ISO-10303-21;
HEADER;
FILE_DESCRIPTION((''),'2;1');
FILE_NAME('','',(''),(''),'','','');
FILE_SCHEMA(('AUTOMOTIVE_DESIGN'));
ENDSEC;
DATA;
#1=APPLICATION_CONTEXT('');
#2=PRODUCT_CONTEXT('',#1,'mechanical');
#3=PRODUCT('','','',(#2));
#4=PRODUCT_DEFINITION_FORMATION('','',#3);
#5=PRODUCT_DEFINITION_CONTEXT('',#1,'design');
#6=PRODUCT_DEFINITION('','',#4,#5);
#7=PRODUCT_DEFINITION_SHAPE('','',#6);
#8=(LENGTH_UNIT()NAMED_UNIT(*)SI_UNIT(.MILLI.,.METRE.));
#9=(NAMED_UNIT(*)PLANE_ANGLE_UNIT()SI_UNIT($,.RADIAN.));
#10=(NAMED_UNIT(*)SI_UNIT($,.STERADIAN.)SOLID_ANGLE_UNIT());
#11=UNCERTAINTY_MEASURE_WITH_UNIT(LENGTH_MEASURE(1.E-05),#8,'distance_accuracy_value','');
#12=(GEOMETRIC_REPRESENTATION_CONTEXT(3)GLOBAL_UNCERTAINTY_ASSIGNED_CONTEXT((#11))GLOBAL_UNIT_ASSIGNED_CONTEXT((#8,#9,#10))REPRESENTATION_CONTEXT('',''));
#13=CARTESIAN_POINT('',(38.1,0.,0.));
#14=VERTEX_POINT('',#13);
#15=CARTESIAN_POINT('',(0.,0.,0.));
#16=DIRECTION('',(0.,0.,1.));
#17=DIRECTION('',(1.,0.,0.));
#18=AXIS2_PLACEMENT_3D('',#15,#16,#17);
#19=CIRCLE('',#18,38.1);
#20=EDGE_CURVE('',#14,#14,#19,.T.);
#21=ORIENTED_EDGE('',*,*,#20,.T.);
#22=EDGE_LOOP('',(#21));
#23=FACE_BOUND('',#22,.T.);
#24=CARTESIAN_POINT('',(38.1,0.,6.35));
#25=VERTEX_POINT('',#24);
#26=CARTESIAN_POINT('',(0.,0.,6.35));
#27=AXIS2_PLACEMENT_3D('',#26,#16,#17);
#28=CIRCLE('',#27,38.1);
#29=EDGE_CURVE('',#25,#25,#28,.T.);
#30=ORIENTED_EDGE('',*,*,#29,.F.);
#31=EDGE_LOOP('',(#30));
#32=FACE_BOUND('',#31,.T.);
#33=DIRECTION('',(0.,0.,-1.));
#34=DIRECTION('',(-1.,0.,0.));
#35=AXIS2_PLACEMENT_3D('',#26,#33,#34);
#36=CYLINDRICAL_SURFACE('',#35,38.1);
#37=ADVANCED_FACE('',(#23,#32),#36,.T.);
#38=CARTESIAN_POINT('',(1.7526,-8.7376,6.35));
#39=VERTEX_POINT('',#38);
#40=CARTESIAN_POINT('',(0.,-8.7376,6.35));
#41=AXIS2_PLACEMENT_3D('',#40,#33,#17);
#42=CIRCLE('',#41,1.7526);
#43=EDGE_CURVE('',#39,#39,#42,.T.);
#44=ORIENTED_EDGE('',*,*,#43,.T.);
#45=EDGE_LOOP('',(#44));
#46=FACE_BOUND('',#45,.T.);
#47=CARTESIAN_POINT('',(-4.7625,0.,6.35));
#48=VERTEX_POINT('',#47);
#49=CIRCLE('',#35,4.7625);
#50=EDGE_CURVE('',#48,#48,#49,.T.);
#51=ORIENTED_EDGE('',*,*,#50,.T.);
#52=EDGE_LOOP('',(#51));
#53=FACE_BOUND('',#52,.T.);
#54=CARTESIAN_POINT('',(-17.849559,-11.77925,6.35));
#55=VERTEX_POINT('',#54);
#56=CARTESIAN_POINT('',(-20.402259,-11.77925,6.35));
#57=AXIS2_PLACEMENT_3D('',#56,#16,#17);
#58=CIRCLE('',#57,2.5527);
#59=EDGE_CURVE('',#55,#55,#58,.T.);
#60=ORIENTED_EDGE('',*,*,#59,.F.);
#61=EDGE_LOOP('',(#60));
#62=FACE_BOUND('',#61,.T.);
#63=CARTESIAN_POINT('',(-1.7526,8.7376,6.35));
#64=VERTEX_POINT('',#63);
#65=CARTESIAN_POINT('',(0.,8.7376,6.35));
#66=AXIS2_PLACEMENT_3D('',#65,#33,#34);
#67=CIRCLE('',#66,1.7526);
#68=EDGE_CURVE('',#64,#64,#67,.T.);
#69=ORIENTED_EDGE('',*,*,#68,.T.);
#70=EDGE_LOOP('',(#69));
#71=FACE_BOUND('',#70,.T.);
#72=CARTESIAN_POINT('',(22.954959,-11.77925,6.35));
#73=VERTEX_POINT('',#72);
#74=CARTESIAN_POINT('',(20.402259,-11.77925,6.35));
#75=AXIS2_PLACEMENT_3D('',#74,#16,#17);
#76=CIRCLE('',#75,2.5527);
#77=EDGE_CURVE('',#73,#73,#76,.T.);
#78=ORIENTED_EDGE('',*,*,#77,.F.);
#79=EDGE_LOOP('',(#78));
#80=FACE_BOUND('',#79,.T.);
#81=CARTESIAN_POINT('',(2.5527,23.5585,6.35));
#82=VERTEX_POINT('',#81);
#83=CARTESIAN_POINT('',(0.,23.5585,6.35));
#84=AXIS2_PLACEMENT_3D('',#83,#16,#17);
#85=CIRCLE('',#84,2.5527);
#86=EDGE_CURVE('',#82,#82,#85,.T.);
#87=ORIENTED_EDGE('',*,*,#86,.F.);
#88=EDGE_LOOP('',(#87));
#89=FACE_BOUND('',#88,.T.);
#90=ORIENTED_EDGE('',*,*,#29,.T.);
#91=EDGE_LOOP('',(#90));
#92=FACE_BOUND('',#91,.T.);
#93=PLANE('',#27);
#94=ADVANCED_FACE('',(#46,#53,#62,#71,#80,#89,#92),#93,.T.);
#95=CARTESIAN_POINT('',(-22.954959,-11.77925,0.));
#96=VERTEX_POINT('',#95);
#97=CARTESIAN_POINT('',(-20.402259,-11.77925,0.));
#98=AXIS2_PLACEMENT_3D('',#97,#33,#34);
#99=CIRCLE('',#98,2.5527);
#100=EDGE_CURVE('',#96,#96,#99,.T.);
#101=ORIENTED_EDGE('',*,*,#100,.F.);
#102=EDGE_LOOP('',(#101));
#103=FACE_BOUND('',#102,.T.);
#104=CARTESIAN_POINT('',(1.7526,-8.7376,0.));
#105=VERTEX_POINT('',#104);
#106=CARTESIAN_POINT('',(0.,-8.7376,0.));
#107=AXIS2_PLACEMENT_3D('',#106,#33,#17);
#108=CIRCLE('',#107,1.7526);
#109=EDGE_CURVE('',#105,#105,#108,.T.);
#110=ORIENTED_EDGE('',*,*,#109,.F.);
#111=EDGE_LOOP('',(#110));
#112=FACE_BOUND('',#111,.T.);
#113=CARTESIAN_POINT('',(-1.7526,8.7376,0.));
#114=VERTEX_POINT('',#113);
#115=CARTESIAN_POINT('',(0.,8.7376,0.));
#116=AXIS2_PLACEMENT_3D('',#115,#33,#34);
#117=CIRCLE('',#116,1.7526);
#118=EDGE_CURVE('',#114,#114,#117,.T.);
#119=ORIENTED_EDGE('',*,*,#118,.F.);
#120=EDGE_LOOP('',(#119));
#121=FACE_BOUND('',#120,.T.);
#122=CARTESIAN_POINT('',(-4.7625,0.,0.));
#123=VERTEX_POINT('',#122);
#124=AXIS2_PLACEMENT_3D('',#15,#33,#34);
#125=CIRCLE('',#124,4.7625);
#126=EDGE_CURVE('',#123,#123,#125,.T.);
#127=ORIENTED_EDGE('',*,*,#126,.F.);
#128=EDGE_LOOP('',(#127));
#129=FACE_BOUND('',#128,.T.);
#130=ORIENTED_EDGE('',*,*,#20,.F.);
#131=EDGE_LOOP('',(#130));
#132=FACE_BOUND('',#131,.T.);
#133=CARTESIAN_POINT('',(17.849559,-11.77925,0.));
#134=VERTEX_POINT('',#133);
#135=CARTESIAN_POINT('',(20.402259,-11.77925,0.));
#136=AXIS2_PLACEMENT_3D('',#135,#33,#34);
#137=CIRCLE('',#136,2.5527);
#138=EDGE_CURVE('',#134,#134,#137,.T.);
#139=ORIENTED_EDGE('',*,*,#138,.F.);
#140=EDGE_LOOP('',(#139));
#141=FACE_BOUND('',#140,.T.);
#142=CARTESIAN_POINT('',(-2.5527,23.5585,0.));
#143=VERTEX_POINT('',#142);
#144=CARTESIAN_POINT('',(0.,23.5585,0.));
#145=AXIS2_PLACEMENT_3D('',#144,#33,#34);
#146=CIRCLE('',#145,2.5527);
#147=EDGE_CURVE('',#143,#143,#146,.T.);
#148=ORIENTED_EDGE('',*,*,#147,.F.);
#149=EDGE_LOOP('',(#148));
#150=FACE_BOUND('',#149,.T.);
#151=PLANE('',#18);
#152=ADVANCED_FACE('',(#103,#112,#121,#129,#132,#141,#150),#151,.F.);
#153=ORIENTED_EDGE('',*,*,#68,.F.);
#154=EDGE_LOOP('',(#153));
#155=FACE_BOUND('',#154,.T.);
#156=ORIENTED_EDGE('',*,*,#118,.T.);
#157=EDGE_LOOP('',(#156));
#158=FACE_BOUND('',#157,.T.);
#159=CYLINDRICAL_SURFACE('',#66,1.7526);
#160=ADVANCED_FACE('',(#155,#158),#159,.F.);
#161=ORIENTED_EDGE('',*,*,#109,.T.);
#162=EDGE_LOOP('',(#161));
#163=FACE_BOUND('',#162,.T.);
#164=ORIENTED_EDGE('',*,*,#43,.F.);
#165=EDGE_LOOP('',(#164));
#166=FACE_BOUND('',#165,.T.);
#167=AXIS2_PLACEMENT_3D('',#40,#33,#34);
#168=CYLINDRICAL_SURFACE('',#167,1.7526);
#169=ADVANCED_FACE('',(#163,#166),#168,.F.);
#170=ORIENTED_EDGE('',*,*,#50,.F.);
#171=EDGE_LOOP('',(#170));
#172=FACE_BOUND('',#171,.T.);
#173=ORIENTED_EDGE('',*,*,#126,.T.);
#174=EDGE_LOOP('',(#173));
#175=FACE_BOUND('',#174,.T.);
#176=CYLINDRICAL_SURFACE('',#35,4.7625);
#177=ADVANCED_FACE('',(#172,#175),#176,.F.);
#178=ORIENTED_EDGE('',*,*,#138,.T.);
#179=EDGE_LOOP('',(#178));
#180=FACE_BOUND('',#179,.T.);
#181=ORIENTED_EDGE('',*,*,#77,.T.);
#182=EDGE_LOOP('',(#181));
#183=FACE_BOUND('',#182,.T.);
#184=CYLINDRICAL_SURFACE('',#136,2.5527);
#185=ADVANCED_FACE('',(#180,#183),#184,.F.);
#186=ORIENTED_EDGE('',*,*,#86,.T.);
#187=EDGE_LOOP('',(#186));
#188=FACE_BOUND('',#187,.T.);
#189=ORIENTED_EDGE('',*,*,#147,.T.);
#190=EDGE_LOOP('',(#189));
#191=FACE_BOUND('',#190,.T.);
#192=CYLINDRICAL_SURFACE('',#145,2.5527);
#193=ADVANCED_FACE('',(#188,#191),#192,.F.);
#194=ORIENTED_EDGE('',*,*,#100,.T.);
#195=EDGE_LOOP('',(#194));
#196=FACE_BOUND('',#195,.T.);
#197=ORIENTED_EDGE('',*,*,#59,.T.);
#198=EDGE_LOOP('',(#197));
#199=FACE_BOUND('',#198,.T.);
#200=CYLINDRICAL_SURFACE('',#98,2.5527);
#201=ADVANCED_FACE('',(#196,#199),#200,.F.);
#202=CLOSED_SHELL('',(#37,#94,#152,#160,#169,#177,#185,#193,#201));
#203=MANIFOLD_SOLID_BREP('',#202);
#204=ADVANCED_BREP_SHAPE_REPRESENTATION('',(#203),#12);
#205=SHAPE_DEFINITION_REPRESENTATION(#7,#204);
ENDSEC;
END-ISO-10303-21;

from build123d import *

# Parameters (mm, degrees)
SKETCH1_R                  = 38.1
BOSS_EXTRUDE1_DEPTH        = 6.35
SKETCH2_R                  = 1.35255
CUT_EXTRUDE1_DEPTH         = 55.254423783
SKETCH3_R                  = 4.7625
CUT_EXTRUDE2_DEPTH         = 6.35
CIRPATTERN2_COUNT          = 3
SKETCH5_R                  = 1.7526
CUT_EXTRUDE4_DEPTH         = 6.35
CIRPATTERN3_COUNT          = 2
F_10_CLEARANCE_HOLE1_D     = 5.1054
F_10_CLEARANCE_HOLE1_DEPTH = 11.43
F_10_CLEARANCE_HOLE1_TIP   = 1.533816902


with BuildPart() as part:
    # Sketch1 → Boss-Extrude1 (new body)
    with BuildSketch(Plane.XY):
        Circle(SKETCH1_R)
    extrude(amount=BOSS_EXTRUDE1_DEPTH)

    # Sketch2 → Cut-Extrude1 (cut, through all)
    with BuildSketch(Plane.XY.offset(6.35)):
        with Locations((0, 23.5585)):
            Circle(SKETCH2_R)
    cut_extrude1 = extrude(amount=-CUT_EXTRUDE1_DEPTH, mode=Mode.SUBTRACT)

    # Sketch3 → Cut-Extrude2 (cut)
    with BuildSketch(Plane(origin=(0, 0, 0), x_dir=(-1, 0, 0), z_dir=(0, 0, -1))):
        Circle(SKETCH3_R)
    extrude(amount=-CUT_EXTRUDE2_DEPTH, mode=Mode.SUBTRACT)

    # CirPattern2: Cut-Extrude1 ×3 about axis
    cirpattern2_axis = Axis((0, 0, -0.3175), (0, 0, 1))
    for i in range(1, CIRPATTERN2_COUNT):
        add(cut_extrude1.rotate(cirpattern2_axis, i * 360 / CIRPATTERN2_COUNT), mode=Mode.SUBTRACT)

    # Sketch5 → Cut-Extrude4 (cut)
    with BuildSketch(Plane(origin=(0, 0, 0), x_dir=(-1, 0, 0), z_dir=(0, 0, -1))):
        with Locations((0, 8.7376)):
            Circle(SKETCH5_R)
    cut_extrude4 = extrude(amount=-CUT_EXTRUDE4_DEPTH, mode=Mode.SUBTRACT)

    # CirPattern3: Cut-Extrude4 ×2 about axis
    cirpattern3_axis = Axis((0, 0, -0.3175), (0, 0, 1))
    for i in range(1, CIRPATTERN3_COUNT):
        add(cut_extrude4.rotate(cirpattern3_axis, i * 360 / CIRPATTERN3_COUNT), mode=Mode.SUBTRACT)

    # #10 Clearance Hole1
    with Locations(Plane(origin=(0, 0, 0), x_dir=(-1, 0, 0), z_dir=(0, 0, -1))):
        with Locations((0, 23.5585), (-20.402259475, -11.77925), (20.402259475, -11.77925)):
            Hole(F_10_CLEARANCE_HOLE1_D / 2, depth=F_10_CLEARANCE_HOLE1_DEPTH)
            with Locations((0, 0, -(F_10_CLEARANCE_HOLE1_DEPTH + F_10_CLEARANCE_HOLE1_TIP / 2))):  # 118° drill point
                Cone(0, F_10_CLEARANCE_HOLE1_D / 2, F_10_CLEARANCE_HOLE1_TIP, mode=Mode.SUBTRACT)


solid = part.part
